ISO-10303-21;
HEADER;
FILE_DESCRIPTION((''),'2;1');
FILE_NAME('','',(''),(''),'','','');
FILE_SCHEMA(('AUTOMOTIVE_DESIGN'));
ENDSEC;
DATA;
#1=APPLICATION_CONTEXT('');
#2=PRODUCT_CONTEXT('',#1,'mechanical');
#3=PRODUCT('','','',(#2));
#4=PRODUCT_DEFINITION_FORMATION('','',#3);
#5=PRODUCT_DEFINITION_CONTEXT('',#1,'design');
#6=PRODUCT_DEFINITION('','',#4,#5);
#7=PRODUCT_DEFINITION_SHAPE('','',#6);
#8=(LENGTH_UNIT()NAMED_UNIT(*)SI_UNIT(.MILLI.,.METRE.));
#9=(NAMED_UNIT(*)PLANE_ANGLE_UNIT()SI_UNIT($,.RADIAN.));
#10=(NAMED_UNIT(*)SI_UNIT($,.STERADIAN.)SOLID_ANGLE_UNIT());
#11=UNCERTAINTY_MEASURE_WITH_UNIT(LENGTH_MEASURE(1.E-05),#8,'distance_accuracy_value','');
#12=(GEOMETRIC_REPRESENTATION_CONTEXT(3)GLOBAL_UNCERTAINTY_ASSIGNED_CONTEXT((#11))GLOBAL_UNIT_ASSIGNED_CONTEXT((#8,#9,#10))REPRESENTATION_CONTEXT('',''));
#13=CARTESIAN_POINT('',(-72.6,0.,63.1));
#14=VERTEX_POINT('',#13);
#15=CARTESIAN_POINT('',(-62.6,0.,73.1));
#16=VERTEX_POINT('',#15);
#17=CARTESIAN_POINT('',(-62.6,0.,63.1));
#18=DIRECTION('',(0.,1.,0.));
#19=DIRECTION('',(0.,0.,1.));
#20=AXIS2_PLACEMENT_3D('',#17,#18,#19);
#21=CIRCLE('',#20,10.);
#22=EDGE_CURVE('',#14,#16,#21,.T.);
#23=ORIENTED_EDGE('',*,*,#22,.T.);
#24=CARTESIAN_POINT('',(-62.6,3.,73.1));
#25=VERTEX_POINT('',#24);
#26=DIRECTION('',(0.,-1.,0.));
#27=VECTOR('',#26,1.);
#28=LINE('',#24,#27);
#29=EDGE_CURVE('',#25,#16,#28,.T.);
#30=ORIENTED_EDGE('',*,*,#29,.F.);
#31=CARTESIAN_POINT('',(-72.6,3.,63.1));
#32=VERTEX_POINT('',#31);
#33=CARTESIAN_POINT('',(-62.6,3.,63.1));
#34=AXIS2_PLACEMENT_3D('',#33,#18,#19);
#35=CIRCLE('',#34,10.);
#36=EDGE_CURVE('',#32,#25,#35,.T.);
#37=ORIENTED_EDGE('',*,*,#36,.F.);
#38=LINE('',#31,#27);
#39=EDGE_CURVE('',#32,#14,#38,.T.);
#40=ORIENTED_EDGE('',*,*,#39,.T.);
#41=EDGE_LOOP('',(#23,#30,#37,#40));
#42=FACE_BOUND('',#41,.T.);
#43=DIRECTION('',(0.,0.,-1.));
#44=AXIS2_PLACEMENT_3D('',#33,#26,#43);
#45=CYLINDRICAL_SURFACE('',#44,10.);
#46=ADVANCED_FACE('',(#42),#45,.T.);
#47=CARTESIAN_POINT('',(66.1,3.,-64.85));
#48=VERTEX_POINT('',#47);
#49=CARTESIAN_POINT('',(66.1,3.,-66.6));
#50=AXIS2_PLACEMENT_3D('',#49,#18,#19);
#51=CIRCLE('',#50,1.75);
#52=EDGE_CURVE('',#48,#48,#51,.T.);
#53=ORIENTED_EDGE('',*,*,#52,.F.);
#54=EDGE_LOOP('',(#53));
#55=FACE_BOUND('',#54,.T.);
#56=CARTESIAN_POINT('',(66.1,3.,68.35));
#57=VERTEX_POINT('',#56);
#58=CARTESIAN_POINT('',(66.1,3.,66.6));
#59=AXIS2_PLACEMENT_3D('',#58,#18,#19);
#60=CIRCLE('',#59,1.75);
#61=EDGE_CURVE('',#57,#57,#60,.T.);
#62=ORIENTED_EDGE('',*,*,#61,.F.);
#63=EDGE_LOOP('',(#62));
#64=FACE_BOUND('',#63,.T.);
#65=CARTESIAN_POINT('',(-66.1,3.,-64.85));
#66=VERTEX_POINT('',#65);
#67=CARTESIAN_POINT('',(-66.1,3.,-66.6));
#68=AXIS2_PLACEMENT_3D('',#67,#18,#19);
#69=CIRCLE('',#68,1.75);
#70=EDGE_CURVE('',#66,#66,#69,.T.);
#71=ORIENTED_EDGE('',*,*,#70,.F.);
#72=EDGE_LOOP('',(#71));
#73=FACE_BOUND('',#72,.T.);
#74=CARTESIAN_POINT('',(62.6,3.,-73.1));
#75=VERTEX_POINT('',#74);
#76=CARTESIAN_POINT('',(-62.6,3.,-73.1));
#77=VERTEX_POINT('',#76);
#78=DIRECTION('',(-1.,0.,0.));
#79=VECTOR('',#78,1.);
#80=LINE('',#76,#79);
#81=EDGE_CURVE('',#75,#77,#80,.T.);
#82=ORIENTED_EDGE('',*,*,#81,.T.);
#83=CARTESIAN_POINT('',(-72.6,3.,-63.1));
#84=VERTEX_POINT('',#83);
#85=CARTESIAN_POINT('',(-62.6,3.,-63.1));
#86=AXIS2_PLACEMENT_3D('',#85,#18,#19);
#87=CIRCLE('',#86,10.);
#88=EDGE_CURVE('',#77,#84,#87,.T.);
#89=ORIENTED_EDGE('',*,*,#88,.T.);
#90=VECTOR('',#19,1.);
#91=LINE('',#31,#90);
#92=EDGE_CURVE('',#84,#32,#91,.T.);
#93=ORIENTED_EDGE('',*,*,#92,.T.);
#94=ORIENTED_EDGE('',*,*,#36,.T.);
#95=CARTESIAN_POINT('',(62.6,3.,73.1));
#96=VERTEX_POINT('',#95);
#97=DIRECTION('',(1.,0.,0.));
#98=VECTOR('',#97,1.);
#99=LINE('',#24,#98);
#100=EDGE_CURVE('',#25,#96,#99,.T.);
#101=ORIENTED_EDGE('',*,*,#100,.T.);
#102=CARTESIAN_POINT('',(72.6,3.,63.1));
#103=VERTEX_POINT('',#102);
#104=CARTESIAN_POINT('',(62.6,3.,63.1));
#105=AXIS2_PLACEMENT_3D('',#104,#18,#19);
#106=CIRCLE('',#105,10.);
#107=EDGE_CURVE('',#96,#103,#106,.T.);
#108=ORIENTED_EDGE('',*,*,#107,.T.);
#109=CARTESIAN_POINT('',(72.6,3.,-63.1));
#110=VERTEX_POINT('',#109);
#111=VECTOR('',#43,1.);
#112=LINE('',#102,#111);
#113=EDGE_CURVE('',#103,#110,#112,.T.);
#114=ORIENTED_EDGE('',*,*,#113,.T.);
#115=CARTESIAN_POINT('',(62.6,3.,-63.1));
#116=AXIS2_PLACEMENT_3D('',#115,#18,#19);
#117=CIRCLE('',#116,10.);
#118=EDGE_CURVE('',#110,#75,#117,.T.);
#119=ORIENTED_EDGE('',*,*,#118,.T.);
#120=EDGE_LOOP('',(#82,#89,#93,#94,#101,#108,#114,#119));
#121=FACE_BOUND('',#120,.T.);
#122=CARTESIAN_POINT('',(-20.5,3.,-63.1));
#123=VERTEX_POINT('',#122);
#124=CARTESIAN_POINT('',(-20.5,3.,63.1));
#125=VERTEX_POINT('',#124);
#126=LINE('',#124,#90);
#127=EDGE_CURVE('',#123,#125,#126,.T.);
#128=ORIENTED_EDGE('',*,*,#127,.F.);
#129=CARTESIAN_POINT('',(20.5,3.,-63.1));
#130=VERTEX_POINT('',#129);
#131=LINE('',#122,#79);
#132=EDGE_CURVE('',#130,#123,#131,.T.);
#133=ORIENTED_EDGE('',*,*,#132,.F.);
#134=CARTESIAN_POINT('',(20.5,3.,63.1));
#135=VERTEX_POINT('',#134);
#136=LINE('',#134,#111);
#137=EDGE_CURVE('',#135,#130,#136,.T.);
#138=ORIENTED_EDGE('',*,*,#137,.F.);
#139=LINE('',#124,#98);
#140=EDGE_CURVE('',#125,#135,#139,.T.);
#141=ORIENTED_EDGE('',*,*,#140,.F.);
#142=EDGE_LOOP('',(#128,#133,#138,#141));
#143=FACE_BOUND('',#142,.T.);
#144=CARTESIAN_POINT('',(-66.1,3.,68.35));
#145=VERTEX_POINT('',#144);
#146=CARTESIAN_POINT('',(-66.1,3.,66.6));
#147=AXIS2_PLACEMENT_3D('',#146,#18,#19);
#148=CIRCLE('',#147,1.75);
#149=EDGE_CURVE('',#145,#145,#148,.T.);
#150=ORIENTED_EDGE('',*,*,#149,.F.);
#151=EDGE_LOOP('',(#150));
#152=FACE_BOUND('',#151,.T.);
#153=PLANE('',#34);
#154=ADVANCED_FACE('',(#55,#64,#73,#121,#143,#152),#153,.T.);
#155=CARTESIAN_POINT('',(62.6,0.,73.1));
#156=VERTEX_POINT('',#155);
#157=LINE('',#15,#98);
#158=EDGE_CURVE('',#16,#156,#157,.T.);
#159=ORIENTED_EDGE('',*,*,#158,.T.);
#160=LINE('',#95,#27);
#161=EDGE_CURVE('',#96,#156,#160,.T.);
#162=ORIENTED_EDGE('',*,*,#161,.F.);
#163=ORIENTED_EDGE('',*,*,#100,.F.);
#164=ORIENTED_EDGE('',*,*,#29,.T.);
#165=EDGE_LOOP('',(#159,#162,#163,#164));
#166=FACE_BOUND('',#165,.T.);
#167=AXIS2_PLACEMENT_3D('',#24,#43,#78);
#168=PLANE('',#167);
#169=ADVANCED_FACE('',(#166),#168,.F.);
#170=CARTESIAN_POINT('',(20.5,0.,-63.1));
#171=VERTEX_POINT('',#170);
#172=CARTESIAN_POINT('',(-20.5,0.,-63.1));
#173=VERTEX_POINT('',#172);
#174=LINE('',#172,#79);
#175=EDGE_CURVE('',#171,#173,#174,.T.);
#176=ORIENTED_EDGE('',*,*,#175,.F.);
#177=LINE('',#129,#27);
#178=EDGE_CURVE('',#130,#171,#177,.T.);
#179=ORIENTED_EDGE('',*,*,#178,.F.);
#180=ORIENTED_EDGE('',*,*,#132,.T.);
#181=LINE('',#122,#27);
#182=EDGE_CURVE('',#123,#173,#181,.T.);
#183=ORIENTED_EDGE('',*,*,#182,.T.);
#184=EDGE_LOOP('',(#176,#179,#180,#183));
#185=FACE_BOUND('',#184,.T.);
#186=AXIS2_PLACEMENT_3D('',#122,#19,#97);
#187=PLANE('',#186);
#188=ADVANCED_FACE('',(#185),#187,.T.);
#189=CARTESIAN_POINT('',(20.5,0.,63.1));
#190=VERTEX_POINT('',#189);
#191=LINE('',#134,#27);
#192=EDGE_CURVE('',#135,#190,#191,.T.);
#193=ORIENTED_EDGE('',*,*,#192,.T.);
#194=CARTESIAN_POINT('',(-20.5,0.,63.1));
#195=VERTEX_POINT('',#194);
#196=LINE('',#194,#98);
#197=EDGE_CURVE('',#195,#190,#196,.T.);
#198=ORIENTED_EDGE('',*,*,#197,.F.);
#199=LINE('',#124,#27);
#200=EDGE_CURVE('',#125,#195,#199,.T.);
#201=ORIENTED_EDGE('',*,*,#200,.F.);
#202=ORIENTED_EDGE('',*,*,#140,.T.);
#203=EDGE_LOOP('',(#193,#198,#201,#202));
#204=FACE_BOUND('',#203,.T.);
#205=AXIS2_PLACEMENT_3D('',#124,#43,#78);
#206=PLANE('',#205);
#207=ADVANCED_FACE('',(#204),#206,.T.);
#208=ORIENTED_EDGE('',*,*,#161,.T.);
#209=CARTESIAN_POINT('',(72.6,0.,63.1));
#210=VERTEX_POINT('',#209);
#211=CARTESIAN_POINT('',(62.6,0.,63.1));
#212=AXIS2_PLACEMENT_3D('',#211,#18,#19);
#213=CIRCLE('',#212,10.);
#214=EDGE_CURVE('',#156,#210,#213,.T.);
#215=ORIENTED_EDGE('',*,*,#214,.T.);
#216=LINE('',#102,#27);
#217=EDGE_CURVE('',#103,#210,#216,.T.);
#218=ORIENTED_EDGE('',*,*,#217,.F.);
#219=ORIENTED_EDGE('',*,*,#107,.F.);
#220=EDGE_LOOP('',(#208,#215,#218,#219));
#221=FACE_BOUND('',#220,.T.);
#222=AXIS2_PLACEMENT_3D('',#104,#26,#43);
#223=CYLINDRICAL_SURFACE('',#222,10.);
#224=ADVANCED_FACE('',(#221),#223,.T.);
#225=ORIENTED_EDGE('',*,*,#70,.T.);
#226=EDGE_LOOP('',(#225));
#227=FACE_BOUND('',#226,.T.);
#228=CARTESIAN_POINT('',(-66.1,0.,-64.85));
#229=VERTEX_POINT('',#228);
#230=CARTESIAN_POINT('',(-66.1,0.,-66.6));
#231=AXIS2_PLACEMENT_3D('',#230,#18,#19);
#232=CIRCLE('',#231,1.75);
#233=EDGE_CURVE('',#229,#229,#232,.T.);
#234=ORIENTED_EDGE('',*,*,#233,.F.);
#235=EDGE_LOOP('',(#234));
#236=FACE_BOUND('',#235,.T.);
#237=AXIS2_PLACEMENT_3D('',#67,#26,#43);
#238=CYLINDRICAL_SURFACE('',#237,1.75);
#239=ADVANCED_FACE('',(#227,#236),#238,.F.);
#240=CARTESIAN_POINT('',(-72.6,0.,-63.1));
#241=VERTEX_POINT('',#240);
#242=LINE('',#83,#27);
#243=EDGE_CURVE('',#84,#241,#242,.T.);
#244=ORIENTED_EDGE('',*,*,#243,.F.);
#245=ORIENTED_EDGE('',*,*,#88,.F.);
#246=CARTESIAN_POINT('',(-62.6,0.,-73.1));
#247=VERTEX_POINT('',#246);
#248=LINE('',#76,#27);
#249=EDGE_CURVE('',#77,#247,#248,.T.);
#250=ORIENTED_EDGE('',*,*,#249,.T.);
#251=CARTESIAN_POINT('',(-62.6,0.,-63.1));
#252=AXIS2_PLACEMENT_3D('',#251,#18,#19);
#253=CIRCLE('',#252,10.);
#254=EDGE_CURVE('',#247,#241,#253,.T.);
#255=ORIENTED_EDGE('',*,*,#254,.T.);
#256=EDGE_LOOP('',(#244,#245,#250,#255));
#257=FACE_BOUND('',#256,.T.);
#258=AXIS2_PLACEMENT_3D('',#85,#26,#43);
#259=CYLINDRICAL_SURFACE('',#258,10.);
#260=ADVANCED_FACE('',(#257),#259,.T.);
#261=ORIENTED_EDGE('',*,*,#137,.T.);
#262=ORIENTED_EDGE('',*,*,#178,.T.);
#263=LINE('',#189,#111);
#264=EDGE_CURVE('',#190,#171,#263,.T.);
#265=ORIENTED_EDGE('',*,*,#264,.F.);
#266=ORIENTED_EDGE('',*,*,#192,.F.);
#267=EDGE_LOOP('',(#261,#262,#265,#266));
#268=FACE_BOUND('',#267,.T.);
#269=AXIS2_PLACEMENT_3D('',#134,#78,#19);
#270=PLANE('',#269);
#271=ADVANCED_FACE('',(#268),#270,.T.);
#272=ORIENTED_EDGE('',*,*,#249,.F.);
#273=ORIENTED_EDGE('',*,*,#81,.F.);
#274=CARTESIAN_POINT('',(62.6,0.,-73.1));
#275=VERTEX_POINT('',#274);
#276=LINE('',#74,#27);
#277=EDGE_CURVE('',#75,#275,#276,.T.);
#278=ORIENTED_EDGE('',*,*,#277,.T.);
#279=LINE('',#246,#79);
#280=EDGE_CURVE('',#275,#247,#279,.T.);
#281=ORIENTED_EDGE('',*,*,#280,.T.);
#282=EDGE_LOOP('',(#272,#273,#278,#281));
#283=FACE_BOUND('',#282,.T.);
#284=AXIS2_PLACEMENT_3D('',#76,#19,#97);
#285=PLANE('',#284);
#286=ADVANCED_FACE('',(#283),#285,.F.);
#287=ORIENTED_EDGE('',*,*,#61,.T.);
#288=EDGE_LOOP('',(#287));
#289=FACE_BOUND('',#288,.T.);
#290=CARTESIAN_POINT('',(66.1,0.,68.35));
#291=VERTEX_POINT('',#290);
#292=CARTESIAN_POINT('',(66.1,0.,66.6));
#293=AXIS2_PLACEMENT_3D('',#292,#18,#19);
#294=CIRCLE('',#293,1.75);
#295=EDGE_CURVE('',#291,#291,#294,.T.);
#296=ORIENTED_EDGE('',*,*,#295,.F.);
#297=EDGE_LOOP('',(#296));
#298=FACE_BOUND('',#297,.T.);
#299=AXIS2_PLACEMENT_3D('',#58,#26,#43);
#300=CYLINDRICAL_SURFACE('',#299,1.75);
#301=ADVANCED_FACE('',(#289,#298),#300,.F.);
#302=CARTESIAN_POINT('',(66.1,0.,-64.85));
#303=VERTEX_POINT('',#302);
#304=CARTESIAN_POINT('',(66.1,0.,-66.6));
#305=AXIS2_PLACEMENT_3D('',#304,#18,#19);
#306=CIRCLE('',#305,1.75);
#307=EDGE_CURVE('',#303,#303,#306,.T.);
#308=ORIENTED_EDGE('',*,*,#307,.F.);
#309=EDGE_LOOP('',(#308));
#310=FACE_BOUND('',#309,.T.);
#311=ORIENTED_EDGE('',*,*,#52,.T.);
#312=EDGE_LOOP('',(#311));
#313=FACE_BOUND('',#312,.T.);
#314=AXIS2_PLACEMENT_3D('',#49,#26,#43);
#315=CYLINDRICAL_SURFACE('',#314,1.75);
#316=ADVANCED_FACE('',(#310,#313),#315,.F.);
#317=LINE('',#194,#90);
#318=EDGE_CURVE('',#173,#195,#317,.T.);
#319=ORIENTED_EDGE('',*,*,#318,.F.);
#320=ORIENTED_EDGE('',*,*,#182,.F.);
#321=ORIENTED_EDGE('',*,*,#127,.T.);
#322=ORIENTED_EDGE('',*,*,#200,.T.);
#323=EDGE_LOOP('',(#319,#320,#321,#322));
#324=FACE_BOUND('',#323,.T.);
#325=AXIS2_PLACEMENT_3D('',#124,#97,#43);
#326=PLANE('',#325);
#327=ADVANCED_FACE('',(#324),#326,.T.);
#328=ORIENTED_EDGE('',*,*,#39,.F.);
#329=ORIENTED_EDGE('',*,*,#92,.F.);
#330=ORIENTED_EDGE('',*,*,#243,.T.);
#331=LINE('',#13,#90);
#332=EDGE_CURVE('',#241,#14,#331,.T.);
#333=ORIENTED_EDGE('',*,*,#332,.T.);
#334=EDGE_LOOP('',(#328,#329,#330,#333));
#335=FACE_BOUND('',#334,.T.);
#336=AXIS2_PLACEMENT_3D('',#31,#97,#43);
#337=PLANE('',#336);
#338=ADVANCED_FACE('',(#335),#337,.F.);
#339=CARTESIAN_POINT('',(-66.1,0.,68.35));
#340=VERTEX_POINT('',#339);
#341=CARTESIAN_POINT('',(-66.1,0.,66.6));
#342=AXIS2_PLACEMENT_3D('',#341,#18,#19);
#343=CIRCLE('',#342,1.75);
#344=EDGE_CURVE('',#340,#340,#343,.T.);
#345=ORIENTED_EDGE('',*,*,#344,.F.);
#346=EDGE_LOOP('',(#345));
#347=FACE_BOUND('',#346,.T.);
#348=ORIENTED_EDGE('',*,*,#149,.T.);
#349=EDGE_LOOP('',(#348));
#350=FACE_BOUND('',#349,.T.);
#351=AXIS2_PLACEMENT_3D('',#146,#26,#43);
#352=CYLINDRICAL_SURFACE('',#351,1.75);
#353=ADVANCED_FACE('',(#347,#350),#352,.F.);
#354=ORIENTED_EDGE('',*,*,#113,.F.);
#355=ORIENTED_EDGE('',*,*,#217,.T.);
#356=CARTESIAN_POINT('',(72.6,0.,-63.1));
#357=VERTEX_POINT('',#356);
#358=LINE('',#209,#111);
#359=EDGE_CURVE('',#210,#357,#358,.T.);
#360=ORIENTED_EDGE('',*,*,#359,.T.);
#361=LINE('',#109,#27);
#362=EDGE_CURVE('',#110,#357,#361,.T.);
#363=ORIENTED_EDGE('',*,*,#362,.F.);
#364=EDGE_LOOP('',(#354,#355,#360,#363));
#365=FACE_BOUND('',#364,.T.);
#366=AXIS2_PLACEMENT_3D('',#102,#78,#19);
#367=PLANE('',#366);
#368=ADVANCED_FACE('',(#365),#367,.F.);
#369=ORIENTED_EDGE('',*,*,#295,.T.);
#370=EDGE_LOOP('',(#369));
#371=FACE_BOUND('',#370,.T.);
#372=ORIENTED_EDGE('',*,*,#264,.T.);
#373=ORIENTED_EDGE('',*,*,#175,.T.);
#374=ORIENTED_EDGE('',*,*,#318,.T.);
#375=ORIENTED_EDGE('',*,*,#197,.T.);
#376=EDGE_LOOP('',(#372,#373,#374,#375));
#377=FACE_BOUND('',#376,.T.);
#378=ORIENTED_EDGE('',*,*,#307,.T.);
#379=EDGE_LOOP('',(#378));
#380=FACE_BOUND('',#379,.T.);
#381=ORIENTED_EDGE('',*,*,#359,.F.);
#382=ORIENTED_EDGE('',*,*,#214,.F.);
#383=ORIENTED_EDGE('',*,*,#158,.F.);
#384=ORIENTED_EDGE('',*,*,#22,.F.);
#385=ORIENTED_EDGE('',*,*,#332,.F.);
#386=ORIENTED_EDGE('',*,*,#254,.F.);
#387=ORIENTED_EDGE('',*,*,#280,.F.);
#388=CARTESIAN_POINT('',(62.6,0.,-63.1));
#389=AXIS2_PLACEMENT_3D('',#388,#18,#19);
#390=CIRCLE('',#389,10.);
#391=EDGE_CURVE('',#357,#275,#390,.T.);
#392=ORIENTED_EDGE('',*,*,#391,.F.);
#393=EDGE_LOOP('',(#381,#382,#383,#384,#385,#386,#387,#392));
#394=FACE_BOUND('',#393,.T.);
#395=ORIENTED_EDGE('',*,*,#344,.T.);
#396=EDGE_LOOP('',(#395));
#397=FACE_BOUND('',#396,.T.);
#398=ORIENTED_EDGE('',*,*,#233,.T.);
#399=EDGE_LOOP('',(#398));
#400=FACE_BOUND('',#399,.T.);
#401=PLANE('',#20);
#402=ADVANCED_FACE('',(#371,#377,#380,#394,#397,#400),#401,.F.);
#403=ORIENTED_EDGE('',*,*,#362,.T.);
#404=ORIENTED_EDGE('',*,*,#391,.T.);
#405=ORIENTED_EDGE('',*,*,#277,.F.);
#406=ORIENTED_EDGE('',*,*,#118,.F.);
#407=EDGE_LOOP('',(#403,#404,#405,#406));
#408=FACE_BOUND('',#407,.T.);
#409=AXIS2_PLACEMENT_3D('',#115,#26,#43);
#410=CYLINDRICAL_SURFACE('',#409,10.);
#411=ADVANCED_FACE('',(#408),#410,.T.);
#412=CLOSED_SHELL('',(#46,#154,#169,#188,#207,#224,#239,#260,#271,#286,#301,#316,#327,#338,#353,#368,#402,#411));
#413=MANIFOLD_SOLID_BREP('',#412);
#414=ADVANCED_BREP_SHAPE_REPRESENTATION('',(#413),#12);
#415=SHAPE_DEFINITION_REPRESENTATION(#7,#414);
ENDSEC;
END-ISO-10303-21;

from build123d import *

# Parameters (mm, degrees)
ESQUISSE1_R        = 1.75
ESQUISSE1_W        = 41
ESQUISSE1_H        = 126.2
BOSS_EXTRU_1_DEPTH = 3


with BuildPart() as part:
    # Esquisse1 → Boss.-Extru.1 (new body)
    with BuildSketch(Plane(origin=(0, 0, 0), x_dir=(1, 0, 0), z_dir=(0, 1, 0))):
        with BuildLine():
            Line((-72.6, -63.1), (-72.6, 63.1))
            ThreePointArc((-72.6, 63.1), (-69.671067812, 70.171067812), (-62.6, 73.1))
            Line((-62.6, 73.1), (62.6, 73.1))
            ThreePointArc((62.6, 73.1), (69.671067812, 70.171067812), (72.6, 63.1))
            Line((72.6, 63.1), (72.6, -63.1))
            ThreePointArc((72.6, -63.1), (69.671067812, -70.171067812), (62.6, -73.1))
            Line((62.6, -73.1), (-62.6, -73.1))
            ThreePointArc((-62.6, -73.1), (-69.671067812, -70.171067812), (-72.6, -63.1))
        make_face()
        with Locations(Location((-66.1, 66.6, 0), (0, 0, 270))):
            Circle(ESQUISSE1_R, mode=Mode.SUBTRACT)
        with Locations(Location((66.1, 66.6, 0), (0, 0, 270))):
            Circle(ESQUISSE1_R, mode=Mode.SUBTRACT)
        with Locations(Location((66.1, -66.6, 0), (0, 0, 270))):
            Circle(ESQUISSE1_R, mode=Mode.SUBTRACT)
        with Locations(Location((-66.1, -66.6, 0), (0, 0, 270))):
            Circle(ESQUISSE1_R, mode=Mode.SUBTRACT)
        Rectangle(ESQUISSE1_W, ESQUISSE1_H, mode=Mode.SUBTRACT)
    extrude(amount=BOSS_EXTRU_1_DEPTH)


solid = part.part
